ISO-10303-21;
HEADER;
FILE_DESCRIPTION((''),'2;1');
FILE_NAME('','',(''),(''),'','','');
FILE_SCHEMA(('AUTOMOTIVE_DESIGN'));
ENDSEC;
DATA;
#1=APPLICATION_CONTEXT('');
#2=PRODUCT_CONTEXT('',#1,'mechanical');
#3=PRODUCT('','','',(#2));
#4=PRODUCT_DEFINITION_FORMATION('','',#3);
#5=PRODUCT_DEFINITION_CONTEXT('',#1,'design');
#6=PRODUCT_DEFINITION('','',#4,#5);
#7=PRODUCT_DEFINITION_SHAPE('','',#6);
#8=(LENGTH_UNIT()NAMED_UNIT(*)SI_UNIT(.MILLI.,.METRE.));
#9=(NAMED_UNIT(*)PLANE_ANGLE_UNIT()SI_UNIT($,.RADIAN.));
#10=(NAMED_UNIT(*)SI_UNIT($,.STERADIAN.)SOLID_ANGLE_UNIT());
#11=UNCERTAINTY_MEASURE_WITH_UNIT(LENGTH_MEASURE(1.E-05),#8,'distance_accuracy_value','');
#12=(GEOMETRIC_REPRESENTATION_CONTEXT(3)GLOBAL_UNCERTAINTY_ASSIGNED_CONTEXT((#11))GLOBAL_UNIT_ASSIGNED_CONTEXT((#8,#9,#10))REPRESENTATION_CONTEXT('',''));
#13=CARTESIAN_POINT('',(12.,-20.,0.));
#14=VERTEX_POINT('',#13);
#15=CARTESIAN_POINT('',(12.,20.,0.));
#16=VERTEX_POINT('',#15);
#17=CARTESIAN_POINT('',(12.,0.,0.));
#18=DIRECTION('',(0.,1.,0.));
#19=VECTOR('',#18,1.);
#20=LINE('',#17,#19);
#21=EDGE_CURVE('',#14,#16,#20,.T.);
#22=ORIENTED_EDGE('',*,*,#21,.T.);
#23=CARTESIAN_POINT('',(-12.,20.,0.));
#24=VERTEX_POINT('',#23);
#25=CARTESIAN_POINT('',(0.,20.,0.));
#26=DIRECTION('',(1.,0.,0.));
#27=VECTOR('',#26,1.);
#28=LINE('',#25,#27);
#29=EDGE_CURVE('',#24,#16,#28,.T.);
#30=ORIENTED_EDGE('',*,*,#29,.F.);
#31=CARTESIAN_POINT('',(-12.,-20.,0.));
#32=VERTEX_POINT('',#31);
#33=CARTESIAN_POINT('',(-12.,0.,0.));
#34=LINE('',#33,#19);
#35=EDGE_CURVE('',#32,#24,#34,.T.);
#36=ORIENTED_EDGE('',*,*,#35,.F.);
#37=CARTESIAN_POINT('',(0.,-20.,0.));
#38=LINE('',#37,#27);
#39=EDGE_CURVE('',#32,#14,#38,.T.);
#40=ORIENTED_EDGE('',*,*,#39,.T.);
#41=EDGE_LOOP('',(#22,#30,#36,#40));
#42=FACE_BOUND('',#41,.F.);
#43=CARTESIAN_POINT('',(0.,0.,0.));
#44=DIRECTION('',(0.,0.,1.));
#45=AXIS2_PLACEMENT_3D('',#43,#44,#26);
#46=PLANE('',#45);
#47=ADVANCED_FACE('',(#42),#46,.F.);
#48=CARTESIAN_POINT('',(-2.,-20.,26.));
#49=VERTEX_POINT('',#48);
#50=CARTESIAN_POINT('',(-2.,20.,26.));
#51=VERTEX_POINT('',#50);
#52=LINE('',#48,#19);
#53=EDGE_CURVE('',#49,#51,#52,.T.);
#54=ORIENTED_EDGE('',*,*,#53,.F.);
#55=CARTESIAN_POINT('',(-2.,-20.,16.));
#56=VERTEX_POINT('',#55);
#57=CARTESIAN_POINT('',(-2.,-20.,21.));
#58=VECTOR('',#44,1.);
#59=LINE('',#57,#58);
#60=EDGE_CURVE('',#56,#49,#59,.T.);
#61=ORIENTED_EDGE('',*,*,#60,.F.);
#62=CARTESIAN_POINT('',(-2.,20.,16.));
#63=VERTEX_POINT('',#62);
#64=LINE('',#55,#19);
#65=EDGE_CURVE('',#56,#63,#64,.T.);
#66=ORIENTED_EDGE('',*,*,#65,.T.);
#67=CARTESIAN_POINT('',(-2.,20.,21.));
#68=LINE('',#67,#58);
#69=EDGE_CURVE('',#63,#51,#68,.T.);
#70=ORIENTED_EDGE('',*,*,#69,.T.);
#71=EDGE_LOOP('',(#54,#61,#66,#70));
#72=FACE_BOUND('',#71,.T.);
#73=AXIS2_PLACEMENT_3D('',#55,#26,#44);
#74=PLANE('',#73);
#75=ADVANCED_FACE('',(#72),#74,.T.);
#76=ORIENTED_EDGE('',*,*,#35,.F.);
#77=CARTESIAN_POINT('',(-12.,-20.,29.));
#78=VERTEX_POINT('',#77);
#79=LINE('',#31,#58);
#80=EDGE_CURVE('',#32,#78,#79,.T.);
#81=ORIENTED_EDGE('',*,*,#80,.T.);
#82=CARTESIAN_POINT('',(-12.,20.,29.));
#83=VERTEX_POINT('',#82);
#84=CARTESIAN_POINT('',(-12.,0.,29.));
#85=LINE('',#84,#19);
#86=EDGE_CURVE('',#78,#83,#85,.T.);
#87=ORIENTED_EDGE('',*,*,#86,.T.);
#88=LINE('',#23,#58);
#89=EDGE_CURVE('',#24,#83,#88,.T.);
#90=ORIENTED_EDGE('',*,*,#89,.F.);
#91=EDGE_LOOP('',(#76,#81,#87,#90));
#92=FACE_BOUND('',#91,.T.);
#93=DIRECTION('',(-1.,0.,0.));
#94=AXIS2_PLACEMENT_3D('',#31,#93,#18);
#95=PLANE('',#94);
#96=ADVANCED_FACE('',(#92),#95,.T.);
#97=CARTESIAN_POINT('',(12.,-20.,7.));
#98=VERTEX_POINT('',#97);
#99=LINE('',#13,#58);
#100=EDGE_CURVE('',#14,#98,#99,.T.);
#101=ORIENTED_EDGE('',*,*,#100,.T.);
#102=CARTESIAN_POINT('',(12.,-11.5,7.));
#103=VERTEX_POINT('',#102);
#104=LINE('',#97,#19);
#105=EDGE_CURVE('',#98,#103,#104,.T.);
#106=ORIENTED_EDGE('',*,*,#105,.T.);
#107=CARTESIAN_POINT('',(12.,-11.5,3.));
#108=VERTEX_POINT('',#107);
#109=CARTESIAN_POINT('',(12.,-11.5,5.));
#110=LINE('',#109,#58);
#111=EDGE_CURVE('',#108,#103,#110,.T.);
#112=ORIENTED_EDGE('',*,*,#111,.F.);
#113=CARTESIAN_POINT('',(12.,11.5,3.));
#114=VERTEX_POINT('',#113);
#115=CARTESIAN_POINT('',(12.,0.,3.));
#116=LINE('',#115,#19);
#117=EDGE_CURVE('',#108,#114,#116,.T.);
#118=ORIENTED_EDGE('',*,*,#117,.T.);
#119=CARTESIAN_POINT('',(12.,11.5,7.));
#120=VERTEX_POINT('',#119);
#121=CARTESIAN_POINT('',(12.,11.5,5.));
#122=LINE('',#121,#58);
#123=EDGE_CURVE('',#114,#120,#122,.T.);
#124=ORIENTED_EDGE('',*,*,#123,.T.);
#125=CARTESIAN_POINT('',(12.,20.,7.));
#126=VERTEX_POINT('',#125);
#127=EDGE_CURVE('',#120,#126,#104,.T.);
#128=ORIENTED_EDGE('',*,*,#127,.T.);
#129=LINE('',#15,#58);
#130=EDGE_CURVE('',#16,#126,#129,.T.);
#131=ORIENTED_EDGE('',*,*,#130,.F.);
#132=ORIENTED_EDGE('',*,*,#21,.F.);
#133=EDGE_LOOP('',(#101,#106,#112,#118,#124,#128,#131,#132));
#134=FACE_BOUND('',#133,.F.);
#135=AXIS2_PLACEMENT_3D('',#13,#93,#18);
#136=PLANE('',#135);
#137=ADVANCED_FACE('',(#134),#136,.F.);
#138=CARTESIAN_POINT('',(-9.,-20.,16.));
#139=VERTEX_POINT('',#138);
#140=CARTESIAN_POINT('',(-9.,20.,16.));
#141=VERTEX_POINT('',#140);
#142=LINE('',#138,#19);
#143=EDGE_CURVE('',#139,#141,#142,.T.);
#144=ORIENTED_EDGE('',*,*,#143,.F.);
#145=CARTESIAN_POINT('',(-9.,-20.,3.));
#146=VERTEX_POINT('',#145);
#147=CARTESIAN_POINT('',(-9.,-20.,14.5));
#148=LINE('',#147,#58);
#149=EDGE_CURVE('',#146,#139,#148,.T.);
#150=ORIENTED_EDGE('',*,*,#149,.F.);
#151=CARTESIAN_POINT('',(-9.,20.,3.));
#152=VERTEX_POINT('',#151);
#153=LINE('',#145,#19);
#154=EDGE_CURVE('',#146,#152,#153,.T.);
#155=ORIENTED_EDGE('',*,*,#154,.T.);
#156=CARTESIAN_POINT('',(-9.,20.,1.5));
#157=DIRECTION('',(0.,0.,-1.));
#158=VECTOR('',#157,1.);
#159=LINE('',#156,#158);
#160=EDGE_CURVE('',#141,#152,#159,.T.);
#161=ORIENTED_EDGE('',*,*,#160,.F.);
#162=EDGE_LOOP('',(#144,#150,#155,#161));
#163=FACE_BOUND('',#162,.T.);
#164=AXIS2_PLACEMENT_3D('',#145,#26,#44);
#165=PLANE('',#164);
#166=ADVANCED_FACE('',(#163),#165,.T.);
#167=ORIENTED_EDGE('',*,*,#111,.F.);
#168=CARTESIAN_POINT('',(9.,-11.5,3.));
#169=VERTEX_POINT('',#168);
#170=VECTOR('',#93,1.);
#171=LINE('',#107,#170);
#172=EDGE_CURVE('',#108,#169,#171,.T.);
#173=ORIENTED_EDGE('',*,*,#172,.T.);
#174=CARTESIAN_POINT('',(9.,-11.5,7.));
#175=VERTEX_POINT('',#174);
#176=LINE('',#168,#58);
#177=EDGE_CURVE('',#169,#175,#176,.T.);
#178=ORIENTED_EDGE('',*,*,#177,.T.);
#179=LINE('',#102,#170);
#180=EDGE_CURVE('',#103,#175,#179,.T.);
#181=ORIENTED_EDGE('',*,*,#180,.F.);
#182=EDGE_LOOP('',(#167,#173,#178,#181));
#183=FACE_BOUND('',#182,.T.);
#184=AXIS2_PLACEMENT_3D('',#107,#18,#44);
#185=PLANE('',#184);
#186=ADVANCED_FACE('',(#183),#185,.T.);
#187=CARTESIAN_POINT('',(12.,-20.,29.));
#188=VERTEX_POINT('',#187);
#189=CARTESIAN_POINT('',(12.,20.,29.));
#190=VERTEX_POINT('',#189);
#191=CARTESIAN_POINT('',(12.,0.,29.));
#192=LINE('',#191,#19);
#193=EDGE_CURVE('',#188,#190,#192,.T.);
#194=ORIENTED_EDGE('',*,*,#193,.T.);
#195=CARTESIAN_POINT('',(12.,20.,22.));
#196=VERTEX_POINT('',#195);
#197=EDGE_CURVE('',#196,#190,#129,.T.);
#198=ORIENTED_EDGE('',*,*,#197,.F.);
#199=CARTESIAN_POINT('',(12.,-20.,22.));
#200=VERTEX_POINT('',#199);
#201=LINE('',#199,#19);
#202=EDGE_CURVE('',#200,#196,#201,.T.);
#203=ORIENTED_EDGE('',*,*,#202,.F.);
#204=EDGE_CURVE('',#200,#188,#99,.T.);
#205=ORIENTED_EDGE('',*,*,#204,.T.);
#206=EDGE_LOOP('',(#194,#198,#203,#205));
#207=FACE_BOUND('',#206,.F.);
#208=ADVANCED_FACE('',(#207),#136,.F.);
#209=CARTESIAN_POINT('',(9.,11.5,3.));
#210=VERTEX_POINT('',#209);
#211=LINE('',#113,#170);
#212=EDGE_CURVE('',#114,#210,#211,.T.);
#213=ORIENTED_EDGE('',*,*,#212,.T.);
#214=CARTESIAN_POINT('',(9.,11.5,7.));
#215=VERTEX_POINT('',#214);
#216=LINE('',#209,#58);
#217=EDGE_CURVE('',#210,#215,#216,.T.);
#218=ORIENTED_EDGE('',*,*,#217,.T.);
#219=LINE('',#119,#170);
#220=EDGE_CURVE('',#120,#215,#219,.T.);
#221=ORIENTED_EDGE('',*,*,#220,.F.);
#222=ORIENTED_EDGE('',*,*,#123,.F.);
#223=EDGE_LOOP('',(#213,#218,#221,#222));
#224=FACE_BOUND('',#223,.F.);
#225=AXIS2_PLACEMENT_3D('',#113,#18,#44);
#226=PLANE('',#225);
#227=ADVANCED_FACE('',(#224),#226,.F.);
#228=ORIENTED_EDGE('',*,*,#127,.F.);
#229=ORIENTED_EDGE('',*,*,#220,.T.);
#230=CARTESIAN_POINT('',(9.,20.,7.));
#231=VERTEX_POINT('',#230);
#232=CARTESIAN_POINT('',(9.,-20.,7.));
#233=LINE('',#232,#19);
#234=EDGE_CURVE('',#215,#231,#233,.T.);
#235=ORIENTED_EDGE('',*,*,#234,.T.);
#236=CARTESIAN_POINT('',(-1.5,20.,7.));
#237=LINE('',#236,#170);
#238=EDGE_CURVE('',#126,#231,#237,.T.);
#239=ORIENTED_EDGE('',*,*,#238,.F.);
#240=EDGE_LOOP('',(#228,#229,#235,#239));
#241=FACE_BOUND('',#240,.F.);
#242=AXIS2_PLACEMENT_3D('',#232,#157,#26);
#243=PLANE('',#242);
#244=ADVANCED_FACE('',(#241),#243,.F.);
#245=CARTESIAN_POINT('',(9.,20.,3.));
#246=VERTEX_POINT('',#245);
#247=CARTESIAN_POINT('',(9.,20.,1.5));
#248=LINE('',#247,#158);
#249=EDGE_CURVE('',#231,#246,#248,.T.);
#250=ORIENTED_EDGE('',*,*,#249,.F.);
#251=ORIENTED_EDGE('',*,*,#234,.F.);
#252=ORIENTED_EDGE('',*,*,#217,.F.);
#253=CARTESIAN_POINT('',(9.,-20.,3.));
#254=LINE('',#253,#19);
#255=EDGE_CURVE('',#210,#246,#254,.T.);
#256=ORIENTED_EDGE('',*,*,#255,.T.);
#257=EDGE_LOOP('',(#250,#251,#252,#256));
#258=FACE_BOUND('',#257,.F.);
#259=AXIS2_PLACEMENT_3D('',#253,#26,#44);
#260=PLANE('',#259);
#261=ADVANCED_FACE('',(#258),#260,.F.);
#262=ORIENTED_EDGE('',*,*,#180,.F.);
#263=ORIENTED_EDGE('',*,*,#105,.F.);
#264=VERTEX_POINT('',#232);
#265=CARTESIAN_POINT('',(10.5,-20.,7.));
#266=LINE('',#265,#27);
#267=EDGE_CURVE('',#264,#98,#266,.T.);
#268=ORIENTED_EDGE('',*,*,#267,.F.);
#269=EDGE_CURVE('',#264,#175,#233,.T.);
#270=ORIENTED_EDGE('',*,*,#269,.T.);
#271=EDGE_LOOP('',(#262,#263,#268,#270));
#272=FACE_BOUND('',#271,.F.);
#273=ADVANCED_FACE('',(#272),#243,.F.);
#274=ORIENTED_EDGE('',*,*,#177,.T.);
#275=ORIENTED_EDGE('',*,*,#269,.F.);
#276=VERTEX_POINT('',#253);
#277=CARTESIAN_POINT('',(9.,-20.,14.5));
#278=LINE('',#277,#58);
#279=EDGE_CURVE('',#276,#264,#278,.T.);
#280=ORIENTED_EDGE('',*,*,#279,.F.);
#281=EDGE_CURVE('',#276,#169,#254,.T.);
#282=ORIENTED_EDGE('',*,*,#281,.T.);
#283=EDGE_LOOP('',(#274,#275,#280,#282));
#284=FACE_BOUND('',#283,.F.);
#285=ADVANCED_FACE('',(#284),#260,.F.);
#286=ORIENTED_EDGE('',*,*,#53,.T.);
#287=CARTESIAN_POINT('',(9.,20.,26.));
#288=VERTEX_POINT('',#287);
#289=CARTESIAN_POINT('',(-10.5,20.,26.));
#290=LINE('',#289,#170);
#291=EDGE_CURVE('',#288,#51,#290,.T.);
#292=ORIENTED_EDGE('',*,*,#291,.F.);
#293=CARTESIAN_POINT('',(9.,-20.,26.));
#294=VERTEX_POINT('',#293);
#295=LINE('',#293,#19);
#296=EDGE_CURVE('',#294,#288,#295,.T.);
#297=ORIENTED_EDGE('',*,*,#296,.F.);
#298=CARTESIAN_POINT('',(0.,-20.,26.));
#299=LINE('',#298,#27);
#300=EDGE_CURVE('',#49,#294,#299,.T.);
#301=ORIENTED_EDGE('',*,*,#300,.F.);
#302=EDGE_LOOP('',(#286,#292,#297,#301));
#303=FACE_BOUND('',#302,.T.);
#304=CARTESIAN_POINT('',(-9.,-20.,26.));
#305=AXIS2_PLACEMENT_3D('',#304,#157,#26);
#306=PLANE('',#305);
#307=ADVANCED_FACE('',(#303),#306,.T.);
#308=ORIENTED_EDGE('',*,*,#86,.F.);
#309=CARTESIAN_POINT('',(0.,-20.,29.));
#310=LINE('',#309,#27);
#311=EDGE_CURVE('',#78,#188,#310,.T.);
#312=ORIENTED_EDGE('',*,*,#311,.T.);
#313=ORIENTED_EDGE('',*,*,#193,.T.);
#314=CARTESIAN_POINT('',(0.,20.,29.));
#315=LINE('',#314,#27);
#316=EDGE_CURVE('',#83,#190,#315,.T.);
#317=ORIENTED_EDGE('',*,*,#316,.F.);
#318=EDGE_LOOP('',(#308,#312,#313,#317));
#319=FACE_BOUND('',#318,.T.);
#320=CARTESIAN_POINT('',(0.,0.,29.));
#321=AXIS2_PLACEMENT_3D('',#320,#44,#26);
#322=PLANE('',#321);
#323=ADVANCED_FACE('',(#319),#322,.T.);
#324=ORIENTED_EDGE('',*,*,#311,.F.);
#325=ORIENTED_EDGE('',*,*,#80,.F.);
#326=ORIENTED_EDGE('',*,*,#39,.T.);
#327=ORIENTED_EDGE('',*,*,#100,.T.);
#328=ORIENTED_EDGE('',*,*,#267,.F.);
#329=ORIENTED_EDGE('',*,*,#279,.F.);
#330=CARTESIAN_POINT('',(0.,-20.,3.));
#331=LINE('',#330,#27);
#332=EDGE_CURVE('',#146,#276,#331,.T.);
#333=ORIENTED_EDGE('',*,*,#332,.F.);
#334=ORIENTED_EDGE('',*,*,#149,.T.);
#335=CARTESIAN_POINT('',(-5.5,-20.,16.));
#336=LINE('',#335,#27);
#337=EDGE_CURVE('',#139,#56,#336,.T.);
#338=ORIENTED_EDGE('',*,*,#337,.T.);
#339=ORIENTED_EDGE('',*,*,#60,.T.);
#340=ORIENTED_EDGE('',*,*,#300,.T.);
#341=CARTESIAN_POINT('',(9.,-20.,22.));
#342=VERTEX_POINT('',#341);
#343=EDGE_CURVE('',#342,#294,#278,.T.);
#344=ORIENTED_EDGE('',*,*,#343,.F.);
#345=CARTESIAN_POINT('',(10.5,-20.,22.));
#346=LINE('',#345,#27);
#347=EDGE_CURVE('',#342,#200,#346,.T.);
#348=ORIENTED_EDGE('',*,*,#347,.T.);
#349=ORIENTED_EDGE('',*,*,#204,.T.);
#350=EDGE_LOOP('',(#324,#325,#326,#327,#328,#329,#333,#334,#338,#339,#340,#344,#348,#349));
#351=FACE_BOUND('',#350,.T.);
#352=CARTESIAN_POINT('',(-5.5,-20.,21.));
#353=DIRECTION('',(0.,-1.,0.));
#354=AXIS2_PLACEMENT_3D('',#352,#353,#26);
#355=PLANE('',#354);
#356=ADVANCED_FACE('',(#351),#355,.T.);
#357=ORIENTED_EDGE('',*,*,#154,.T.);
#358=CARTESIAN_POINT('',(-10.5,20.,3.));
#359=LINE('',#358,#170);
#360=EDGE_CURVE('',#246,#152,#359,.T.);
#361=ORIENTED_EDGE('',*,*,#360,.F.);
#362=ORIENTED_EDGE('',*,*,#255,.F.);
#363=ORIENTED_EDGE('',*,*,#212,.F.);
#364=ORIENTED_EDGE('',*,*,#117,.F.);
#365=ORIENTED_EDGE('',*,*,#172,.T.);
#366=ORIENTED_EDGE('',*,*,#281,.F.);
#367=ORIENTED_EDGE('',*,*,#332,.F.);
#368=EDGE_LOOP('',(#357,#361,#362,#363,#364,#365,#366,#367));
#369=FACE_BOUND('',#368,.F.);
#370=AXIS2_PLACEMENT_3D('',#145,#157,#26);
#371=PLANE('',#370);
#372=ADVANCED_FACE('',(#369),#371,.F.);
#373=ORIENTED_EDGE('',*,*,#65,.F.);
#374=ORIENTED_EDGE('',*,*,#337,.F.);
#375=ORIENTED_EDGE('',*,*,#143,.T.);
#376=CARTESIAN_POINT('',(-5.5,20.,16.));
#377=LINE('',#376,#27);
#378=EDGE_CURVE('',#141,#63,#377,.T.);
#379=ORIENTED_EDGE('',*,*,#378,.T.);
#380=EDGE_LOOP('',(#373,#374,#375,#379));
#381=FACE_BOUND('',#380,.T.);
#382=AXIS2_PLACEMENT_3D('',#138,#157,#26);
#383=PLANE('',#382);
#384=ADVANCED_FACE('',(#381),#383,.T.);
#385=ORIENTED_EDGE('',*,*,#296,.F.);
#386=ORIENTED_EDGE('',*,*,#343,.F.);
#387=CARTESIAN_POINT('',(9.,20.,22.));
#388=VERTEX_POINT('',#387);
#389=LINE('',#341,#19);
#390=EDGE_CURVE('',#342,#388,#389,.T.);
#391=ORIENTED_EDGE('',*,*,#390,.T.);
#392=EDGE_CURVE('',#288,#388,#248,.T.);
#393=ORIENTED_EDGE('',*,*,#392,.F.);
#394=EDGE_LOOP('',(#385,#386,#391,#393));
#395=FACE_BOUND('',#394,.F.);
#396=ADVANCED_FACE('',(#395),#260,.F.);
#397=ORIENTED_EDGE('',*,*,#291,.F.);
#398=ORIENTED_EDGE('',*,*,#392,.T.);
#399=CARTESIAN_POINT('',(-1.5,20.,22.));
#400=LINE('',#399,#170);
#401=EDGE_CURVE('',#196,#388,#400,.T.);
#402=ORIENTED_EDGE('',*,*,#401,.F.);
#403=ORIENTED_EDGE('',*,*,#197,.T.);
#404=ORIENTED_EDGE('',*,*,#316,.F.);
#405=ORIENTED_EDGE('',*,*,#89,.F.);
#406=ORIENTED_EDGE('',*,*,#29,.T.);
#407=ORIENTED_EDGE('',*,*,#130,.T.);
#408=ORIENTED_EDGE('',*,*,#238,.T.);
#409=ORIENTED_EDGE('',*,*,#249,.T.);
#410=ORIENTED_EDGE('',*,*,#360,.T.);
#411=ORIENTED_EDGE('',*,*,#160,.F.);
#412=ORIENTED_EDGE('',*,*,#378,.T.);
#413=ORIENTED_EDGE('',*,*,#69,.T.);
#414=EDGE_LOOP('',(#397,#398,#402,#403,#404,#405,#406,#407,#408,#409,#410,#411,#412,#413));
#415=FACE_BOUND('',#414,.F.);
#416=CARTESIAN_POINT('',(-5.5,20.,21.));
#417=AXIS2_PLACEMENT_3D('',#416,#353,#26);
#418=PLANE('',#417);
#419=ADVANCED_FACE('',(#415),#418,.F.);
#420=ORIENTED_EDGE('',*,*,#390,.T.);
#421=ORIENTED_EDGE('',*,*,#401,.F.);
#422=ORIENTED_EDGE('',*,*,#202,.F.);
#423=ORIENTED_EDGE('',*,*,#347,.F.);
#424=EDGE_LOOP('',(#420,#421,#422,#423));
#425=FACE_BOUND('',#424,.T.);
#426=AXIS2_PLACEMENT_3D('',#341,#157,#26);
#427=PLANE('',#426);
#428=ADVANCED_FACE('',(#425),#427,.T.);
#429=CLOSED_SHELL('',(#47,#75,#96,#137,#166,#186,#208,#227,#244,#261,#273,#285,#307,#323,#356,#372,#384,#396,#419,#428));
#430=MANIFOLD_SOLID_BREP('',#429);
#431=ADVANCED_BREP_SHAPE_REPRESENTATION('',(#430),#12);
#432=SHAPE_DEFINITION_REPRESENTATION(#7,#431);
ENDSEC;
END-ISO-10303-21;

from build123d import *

# Parameters (mm, degrees)
F0_W     = 24
F0_H     = 40
F1_DEPTH = 29
F2_W     = 18
F2_H     = 23
F3_DEPTH = 61.722
F4_W     = 3
F4_H     = 15
F5_DEPTH = 55.626
F6_W     = 23
F6_H     = 4
F7_DEPTH = 5.334
F8_W     = 7
F8_H     = 10
F9_DEPTH = 40


with BuildPart() as f1:
    # F0 (on Top) → F1 (new body)
    with BuildSketch(Plane.XY):
        Rectangle(F0_W, F0_H)
    extrude(amount=F1_DEPTH)

    # F2 (on face) → F3 (cut)
    with BuildSketch(Plane.XZ.offset(20)):
        with Locations((0, 14.5)):
            Rectangle(F2_W, F2_H)
    extrude(amount=-F3_DEPTH, mode=Mode.SUBTRACT)

    # F4 (on face) → F5 (cut)
    with BuildSketch(Plane.XZ.offset(20)):
        with Locations((10.5, 14.5)):
            Rectangle(F4_W, F4_H)
    extrude(amount=-F5_DEPTH, mode=Mode.SUBTRACT)

    # F6 (on face) → F7 (cut)
    with BuildSketch(Plane.YZ.offset(12)):
        with Locations((0, 5)):
            Rectangle(F6_W, F6_H)
    extrude(amount=-F7_DEPTH, mode=Mode.SUBTRACT)

    # F8 (on face) → F9 (join)
    with BuildSketch(Plane.XZ.offset(20)):
        with Locations((-5.5, 21)):
            Rectangle(F8_W, F8_H)
    extrude(amount=-F9_DEPTH)


solid = f1.part
